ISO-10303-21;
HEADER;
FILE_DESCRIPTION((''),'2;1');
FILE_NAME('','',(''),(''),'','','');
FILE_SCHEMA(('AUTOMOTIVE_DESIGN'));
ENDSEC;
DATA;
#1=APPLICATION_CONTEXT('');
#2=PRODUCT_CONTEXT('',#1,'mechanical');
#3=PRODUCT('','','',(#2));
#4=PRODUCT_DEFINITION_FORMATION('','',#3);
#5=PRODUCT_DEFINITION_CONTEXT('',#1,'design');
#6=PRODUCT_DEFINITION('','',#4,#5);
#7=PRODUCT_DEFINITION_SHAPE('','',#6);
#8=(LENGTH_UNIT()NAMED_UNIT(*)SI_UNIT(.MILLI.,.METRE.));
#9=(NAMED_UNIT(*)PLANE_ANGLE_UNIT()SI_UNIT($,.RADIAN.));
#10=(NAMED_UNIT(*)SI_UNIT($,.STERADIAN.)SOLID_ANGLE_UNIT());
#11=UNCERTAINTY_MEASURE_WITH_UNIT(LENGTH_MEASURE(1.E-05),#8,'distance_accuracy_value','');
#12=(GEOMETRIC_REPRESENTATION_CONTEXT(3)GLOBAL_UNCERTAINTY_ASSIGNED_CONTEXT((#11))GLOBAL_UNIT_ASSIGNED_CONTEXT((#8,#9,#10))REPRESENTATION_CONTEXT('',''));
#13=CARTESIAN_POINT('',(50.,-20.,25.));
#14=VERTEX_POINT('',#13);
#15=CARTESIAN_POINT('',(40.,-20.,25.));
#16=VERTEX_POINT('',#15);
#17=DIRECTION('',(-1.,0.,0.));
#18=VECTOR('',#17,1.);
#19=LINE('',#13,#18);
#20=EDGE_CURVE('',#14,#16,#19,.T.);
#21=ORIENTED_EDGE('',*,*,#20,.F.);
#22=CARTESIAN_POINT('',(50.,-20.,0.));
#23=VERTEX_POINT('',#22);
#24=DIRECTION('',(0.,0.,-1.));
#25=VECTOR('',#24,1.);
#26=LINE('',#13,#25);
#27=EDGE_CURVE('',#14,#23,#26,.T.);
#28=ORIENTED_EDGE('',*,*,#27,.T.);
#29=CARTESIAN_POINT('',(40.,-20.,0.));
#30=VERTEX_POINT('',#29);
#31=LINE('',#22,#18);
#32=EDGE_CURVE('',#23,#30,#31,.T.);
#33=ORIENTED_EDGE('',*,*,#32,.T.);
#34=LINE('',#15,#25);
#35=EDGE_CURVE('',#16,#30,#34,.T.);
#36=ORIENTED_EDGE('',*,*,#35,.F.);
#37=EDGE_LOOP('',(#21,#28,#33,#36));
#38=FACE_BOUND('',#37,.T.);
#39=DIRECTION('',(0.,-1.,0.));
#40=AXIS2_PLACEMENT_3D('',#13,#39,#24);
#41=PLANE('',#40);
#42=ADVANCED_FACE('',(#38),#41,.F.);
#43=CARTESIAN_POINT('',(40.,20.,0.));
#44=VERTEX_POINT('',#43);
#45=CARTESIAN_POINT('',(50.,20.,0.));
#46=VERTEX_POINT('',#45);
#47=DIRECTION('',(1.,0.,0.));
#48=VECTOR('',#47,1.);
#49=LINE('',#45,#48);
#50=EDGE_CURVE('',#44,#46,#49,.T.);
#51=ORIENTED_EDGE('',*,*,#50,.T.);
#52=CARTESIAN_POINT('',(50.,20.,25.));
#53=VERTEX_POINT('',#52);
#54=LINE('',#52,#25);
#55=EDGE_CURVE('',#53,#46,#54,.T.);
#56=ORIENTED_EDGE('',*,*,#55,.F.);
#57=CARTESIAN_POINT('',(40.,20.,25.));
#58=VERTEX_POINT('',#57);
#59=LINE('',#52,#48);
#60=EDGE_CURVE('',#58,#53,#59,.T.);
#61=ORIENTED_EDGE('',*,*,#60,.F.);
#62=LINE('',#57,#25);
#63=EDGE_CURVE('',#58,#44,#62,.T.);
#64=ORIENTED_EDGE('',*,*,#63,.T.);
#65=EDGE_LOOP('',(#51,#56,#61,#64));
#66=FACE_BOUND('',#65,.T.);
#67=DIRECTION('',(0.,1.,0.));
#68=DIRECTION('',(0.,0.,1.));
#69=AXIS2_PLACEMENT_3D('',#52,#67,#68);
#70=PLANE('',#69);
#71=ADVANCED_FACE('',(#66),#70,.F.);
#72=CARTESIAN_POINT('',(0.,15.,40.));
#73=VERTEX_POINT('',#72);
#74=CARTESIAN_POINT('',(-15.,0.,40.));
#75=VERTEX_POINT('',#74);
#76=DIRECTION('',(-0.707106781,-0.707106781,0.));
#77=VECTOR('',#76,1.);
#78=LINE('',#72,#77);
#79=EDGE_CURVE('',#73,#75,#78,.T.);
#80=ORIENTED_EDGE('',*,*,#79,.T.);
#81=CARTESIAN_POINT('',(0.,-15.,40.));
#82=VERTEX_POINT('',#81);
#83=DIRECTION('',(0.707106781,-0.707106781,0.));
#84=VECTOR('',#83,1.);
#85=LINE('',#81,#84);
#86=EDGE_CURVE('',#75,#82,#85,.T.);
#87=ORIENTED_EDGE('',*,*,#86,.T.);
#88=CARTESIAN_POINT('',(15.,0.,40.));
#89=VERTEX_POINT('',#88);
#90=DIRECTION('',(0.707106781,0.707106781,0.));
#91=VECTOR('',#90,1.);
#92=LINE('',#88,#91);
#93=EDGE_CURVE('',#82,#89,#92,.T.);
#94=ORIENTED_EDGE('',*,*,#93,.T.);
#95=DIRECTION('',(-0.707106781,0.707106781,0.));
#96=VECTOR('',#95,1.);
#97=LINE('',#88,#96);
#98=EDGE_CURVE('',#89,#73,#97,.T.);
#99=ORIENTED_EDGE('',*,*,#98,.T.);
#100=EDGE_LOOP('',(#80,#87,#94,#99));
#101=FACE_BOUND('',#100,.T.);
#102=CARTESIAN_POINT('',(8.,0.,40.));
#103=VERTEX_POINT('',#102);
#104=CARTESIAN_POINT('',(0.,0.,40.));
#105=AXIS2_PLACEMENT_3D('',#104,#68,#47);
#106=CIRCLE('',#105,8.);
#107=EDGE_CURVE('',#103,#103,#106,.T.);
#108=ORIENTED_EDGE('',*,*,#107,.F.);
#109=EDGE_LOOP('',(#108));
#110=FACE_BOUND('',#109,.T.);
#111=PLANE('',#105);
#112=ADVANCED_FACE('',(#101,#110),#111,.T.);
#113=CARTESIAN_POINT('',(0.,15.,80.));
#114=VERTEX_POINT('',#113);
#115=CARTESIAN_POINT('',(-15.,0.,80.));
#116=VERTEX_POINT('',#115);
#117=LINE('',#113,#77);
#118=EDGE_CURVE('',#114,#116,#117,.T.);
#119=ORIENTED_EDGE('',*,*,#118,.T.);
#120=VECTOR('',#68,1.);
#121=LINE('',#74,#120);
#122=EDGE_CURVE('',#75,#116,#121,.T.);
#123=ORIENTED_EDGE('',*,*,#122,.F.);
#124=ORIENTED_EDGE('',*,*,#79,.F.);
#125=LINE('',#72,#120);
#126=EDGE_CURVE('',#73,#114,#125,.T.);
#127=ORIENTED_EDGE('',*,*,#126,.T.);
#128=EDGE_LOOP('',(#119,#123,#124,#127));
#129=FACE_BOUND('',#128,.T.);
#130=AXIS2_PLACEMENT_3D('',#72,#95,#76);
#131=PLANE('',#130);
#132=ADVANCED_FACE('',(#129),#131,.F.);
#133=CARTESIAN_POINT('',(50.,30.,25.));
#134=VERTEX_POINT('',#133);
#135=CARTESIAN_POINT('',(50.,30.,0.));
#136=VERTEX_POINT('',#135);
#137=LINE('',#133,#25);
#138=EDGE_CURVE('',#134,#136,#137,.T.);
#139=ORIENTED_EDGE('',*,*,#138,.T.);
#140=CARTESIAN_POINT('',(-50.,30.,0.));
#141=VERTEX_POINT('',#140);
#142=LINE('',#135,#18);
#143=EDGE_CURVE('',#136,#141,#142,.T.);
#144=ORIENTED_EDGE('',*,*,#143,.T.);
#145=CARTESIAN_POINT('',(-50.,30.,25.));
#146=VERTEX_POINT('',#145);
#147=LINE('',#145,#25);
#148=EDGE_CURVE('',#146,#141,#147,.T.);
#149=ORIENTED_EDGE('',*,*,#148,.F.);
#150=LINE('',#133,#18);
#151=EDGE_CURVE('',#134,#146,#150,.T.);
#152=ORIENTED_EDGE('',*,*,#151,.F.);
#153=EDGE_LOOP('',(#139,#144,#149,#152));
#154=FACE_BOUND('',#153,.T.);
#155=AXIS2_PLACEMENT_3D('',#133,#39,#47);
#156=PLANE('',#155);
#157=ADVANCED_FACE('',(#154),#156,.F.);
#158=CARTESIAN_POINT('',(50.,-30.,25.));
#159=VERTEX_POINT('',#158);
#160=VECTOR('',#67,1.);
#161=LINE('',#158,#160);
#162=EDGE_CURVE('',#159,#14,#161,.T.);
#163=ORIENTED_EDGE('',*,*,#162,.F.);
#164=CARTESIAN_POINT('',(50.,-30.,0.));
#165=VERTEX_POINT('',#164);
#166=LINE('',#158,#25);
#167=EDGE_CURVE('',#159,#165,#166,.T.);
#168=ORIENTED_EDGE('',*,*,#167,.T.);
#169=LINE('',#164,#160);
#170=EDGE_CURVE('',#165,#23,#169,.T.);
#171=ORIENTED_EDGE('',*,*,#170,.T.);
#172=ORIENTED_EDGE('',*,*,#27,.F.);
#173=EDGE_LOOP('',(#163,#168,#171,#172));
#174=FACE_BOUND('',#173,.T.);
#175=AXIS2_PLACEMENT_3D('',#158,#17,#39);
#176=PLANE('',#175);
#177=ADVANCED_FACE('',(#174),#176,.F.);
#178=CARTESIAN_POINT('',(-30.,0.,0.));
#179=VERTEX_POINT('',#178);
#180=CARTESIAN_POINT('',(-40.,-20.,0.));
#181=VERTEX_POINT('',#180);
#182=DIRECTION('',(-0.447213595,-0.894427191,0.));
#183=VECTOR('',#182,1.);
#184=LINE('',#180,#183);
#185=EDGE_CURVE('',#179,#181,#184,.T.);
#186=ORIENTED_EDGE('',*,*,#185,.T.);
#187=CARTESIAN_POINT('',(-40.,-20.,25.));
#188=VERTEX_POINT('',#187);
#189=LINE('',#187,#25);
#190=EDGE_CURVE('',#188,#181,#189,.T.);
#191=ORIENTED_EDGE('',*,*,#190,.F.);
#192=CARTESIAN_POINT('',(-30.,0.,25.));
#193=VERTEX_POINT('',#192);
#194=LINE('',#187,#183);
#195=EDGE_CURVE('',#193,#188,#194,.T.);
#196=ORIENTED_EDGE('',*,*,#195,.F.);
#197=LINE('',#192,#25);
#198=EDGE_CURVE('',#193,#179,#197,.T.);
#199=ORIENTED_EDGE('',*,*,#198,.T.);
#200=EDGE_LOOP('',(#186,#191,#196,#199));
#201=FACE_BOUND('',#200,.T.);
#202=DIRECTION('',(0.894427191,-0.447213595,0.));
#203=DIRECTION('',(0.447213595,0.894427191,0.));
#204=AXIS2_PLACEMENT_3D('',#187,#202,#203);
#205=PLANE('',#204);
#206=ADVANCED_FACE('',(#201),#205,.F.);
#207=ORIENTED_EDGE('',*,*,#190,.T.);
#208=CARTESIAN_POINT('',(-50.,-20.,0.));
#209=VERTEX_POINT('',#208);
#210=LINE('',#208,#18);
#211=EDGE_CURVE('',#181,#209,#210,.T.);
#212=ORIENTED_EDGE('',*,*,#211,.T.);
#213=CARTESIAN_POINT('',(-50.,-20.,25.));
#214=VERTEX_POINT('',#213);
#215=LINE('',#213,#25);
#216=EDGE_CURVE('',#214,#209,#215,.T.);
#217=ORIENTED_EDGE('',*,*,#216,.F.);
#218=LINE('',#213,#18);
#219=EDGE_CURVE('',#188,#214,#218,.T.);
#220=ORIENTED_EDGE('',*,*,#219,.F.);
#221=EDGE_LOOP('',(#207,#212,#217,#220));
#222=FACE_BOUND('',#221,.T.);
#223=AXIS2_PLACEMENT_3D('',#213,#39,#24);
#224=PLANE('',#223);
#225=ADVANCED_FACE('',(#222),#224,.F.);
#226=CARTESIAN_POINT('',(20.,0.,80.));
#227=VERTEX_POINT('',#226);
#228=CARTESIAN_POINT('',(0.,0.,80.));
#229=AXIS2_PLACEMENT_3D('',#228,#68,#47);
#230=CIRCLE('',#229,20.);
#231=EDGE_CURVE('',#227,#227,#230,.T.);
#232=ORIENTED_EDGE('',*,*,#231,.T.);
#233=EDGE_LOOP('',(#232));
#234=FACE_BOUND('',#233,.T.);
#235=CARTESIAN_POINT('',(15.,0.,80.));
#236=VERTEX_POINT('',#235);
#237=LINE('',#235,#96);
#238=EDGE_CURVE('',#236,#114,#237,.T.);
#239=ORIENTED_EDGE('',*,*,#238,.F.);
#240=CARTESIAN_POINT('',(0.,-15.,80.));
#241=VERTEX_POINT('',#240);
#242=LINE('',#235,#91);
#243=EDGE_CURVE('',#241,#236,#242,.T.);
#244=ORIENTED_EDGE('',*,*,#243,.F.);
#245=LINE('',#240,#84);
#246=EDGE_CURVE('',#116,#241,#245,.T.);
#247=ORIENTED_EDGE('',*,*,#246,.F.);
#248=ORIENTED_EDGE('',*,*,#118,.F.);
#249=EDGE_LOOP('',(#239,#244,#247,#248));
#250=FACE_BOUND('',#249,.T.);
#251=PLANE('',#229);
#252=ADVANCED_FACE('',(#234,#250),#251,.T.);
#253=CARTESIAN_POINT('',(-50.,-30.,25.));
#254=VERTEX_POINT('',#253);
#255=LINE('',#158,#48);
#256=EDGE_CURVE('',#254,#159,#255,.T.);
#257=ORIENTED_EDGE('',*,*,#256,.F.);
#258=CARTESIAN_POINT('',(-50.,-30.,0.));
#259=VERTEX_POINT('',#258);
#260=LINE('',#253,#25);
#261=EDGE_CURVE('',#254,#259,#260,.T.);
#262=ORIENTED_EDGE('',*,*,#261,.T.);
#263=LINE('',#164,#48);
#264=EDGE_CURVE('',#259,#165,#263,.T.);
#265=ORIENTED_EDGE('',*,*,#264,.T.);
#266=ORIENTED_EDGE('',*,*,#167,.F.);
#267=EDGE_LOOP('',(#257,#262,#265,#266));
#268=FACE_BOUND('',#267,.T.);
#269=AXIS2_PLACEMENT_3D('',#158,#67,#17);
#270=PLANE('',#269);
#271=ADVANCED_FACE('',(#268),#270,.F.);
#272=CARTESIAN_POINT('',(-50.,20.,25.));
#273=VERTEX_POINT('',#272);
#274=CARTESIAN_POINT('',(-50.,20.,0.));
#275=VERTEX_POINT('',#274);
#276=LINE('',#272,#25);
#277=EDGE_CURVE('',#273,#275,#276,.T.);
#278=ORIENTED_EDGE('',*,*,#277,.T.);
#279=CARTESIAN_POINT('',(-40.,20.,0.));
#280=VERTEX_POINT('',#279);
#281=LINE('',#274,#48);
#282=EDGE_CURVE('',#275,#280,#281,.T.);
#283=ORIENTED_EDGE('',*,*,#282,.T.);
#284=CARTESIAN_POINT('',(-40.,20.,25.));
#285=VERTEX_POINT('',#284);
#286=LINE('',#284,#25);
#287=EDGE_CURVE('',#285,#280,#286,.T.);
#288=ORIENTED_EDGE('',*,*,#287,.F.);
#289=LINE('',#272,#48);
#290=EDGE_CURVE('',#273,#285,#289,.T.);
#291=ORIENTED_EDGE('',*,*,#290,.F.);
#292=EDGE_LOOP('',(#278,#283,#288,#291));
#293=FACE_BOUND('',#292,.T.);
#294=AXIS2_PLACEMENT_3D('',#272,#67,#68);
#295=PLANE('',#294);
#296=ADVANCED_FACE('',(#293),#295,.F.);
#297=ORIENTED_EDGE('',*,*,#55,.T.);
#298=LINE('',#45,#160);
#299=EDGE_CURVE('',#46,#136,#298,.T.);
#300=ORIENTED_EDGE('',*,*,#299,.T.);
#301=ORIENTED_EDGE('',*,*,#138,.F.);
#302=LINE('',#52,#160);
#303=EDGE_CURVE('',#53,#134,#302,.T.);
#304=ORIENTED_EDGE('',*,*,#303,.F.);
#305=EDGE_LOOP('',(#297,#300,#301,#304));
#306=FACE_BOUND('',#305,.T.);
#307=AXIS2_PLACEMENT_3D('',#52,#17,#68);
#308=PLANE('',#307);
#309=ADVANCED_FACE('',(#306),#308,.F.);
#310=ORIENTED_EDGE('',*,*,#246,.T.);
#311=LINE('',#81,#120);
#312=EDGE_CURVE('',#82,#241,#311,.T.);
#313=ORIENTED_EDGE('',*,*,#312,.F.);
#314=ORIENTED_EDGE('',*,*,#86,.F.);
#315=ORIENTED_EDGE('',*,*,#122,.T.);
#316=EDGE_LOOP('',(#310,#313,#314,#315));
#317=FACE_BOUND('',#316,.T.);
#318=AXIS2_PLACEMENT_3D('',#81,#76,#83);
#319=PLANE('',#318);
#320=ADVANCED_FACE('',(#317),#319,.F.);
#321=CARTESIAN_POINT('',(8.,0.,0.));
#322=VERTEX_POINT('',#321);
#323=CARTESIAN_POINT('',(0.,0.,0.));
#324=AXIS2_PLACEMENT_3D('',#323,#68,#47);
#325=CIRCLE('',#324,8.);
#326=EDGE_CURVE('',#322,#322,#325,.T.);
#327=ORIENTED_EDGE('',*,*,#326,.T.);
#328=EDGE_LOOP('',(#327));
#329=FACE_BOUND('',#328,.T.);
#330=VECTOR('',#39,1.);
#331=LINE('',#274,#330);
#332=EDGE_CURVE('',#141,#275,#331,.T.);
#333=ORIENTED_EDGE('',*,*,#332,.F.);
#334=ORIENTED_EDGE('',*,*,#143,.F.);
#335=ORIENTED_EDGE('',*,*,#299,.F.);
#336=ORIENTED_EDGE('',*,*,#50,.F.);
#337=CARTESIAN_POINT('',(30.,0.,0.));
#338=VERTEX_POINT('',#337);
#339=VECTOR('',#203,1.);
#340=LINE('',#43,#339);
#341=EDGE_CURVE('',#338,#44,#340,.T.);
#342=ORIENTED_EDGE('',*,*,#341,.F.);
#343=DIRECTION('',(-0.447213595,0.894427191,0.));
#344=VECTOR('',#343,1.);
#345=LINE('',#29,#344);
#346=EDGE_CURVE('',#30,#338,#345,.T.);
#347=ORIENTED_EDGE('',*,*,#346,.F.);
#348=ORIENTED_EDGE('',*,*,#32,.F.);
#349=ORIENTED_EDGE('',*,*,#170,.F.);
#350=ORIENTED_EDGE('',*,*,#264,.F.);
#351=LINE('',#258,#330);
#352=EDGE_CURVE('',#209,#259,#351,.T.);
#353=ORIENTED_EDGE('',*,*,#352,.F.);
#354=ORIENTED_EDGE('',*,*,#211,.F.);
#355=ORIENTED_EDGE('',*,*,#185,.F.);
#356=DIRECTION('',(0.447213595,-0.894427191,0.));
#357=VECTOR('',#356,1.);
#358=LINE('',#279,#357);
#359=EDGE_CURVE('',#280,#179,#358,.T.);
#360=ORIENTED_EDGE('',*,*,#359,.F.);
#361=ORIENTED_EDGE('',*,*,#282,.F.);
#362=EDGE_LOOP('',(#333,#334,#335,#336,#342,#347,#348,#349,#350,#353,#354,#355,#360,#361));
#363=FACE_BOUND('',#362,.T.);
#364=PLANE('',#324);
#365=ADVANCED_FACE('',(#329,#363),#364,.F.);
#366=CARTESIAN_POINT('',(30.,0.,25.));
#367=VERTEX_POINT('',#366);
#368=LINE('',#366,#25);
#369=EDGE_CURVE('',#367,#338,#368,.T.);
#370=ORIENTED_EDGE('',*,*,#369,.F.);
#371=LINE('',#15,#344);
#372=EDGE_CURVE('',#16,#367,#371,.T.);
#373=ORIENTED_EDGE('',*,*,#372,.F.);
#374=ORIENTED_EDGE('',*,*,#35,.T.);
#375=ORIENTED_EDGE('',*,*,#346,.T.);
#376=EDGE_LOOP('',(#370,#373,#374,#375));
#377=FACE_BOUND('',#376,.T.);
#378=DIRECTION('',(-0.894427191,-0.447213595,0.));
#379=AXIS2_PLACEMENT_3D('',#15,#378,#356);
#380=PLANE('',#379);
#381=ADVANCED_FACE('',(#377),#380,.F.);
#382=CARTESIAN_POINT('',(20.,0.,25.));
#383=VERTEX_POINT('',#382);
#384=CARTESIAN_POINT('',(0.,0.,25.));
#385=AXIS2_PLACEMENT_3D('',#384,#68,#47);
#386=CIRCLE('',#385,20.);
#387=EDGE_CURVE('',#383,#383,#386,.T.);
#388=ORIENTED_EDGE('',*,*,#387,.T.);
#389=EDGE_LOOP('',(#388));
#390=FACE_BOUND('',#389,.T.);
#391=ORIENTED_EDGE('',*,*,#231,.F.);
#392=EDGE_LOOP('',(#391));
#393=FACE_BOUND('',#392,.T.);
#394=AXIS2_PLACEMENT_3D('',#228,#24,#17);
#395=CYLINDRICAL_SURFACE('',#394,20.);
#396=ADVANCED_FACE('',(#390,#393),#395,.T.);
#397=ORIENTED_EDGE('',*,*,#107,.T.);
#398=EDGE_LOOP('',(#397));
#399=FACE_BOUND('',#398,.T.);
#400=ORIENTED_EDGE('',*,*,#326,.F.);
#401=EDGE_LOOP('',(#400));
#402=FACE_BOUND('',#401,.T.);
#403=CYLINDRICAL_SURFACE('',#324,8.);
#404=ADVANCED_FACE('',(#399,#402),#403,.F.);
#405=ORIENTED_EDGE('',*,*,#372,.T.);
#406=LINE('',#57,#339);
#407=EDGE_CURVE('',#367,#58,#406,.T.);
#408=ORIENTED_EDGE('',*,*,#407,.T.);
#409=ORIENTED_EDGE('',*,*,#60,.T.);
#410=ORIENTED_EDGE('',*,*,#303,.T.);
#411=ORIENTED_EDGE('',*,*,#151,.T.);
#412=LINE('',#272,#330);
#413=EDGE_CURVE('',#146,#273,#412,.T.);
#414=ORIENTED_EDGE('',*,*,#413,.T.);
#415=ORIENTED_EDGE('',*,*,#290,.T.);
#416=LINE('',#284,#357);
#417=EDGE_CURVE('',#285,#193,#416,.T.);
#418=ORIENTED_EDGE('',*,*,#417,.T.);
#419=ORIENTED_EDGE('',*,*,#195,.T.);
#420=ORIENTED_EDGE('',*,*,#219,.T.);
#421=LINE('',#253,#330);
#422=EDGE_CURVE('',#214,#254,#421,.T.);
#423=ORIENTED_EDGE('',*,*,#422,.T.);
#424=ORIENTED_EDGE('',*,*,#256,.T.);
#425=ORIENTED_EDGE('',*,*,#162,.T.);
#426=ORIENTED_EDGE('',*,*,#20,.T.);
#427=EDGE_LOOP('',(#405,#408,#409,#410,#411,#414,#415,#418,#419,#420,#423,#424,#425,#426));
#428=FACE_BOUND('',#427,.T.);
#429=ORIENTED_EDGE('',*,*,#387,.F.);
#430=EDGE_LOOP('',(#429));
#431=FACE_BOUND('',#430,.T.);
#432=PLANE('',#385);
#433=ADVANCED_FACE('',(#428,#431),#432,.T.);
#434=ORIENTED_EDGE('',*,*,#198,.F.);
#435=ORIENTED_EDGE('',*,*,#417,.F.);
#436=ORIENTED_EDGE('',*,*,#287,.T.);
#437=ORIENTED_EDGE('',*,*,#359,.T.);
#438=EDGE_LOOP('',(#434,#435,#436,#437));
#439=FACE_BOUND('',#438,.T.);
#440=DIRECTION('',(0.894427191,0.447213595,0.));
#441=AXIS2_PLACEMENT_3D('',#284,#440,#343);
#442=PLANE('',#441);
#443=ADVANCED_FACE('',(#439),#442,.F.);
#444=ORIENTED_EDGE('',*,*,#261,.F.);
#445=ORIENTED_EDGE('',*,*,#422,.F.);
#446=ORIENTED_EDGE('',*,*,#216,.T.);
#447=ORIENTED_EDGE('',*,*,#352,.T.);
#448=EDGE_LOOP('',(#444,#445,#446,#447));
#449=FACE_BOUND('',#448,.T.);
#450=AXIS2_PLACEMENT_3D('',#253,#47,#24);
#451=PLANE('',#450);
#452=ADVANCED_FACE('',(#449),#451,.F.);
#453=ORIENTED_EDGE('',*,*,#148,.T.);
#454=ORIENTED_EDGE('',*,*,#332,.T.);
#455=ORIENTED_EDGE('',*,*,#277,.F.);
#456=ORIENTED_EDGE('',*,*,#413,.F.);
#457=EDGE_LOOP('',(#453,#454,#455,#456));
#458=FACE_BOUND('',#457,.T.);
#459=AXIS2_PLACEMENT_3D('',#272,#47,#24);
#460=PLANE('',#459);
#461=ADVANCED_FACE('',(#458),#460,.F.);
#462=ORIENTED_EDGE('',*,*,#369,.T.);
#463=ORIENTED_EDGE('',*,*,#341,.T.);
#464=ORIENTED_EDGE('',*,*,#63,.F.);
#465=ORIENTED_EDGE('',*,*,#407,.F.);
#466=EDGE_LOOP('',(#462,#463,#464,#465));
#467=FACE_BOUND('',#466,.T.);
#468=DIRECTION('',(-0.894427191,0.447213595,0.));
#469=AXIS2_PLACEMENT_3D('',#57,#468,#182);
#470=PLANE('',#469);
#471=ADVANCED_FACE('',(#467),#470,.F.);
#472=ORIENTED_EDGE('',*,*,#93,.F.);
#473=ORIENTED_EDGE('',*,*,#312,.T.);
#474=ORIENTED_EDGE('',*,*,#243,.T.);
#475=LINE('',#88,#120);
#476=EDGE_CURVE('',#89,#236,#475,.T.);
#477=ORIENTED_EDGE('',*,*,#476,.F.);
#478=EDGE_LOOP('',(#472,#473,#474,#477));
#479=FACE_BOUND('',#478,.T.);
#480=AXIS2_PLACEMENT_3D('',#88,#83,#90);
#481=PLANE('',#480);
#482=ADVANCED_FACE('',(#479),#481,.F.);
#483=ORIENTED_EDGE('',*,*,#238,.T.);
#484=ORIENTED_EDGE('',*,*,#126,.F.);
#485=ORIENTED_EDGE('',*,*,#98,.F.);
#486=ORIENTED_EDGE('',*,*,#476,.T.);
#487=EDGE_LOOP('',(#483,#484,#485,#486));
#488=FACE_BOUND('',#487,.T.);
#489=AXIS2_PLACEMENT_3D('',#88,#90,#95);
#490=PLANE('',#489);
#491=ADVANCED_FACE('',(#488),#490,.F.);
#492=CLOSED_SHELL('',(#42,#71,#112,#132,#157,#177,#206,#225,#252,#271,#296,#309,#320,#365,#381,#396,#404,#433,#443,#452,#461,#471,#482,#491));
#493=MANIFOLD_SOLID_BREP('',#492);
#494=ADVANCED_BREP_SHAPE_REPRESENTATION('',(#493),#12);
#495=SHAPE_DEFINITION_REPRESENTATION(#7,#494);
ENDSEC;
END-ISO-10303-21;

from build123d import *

# Parameters (mm, degrees)
EXTRUDE_1_DEPTH     = 25
SKETCH_2_R          = 20
EXTRUDE_2_DEPTH     = 55
CUT_EXTRUDE_1_DEPTH = 40
SKETCH_4_R          = 8
CUT_EXTRUDE_2_DEPTH = 40


with BuildPart() as part:
    # Эскиз1 → Бобышка-Вытянуть1 (new body)
    with BuildSketch(Plane.XY):
        Polygon((50, -30), (-50, -30), (-50, -20), (-40, -20), (-30, 0), (-40, 20), (-50, 20), (-50, 30), (50, 30), (50, 20), (40, 20), (30, 0), (40, -20), (50, -20), align=None)
    extrude(amount=EXTRUDE_1_DEPTH)

    # Эскиз2 → Бобышка-Вытянуть2 (add)
    with BuildSketch(Plane.XY.offset(25)):
        Circle(SKETCH_2_R)
    extrude(amount=EXTRUDE_2_DEPTH)

    # Эскиз3 → Вырез-Вытянуть1 (cut)
    with BuildSketch(Plane.XY.offset(80)):
        Polygon((15, 0), (0, -15), (-15, 0), (0, 15), align=None)
    extrude(amount=-CUT_EXTRUDE_1_DEPTH, mode=Mode.SUBTRACT)

    # Эскиз4 → Вырез-Вытянуть2 (cut)
    with BuildSketch(Plane.XY.offset(40)):
        Circle(SKETCH_4_R)
    extrude(amount=-CUT_EXTRUDE_2_DEPTH, mode=Mode.SUBTRACT)


solid = part.part
